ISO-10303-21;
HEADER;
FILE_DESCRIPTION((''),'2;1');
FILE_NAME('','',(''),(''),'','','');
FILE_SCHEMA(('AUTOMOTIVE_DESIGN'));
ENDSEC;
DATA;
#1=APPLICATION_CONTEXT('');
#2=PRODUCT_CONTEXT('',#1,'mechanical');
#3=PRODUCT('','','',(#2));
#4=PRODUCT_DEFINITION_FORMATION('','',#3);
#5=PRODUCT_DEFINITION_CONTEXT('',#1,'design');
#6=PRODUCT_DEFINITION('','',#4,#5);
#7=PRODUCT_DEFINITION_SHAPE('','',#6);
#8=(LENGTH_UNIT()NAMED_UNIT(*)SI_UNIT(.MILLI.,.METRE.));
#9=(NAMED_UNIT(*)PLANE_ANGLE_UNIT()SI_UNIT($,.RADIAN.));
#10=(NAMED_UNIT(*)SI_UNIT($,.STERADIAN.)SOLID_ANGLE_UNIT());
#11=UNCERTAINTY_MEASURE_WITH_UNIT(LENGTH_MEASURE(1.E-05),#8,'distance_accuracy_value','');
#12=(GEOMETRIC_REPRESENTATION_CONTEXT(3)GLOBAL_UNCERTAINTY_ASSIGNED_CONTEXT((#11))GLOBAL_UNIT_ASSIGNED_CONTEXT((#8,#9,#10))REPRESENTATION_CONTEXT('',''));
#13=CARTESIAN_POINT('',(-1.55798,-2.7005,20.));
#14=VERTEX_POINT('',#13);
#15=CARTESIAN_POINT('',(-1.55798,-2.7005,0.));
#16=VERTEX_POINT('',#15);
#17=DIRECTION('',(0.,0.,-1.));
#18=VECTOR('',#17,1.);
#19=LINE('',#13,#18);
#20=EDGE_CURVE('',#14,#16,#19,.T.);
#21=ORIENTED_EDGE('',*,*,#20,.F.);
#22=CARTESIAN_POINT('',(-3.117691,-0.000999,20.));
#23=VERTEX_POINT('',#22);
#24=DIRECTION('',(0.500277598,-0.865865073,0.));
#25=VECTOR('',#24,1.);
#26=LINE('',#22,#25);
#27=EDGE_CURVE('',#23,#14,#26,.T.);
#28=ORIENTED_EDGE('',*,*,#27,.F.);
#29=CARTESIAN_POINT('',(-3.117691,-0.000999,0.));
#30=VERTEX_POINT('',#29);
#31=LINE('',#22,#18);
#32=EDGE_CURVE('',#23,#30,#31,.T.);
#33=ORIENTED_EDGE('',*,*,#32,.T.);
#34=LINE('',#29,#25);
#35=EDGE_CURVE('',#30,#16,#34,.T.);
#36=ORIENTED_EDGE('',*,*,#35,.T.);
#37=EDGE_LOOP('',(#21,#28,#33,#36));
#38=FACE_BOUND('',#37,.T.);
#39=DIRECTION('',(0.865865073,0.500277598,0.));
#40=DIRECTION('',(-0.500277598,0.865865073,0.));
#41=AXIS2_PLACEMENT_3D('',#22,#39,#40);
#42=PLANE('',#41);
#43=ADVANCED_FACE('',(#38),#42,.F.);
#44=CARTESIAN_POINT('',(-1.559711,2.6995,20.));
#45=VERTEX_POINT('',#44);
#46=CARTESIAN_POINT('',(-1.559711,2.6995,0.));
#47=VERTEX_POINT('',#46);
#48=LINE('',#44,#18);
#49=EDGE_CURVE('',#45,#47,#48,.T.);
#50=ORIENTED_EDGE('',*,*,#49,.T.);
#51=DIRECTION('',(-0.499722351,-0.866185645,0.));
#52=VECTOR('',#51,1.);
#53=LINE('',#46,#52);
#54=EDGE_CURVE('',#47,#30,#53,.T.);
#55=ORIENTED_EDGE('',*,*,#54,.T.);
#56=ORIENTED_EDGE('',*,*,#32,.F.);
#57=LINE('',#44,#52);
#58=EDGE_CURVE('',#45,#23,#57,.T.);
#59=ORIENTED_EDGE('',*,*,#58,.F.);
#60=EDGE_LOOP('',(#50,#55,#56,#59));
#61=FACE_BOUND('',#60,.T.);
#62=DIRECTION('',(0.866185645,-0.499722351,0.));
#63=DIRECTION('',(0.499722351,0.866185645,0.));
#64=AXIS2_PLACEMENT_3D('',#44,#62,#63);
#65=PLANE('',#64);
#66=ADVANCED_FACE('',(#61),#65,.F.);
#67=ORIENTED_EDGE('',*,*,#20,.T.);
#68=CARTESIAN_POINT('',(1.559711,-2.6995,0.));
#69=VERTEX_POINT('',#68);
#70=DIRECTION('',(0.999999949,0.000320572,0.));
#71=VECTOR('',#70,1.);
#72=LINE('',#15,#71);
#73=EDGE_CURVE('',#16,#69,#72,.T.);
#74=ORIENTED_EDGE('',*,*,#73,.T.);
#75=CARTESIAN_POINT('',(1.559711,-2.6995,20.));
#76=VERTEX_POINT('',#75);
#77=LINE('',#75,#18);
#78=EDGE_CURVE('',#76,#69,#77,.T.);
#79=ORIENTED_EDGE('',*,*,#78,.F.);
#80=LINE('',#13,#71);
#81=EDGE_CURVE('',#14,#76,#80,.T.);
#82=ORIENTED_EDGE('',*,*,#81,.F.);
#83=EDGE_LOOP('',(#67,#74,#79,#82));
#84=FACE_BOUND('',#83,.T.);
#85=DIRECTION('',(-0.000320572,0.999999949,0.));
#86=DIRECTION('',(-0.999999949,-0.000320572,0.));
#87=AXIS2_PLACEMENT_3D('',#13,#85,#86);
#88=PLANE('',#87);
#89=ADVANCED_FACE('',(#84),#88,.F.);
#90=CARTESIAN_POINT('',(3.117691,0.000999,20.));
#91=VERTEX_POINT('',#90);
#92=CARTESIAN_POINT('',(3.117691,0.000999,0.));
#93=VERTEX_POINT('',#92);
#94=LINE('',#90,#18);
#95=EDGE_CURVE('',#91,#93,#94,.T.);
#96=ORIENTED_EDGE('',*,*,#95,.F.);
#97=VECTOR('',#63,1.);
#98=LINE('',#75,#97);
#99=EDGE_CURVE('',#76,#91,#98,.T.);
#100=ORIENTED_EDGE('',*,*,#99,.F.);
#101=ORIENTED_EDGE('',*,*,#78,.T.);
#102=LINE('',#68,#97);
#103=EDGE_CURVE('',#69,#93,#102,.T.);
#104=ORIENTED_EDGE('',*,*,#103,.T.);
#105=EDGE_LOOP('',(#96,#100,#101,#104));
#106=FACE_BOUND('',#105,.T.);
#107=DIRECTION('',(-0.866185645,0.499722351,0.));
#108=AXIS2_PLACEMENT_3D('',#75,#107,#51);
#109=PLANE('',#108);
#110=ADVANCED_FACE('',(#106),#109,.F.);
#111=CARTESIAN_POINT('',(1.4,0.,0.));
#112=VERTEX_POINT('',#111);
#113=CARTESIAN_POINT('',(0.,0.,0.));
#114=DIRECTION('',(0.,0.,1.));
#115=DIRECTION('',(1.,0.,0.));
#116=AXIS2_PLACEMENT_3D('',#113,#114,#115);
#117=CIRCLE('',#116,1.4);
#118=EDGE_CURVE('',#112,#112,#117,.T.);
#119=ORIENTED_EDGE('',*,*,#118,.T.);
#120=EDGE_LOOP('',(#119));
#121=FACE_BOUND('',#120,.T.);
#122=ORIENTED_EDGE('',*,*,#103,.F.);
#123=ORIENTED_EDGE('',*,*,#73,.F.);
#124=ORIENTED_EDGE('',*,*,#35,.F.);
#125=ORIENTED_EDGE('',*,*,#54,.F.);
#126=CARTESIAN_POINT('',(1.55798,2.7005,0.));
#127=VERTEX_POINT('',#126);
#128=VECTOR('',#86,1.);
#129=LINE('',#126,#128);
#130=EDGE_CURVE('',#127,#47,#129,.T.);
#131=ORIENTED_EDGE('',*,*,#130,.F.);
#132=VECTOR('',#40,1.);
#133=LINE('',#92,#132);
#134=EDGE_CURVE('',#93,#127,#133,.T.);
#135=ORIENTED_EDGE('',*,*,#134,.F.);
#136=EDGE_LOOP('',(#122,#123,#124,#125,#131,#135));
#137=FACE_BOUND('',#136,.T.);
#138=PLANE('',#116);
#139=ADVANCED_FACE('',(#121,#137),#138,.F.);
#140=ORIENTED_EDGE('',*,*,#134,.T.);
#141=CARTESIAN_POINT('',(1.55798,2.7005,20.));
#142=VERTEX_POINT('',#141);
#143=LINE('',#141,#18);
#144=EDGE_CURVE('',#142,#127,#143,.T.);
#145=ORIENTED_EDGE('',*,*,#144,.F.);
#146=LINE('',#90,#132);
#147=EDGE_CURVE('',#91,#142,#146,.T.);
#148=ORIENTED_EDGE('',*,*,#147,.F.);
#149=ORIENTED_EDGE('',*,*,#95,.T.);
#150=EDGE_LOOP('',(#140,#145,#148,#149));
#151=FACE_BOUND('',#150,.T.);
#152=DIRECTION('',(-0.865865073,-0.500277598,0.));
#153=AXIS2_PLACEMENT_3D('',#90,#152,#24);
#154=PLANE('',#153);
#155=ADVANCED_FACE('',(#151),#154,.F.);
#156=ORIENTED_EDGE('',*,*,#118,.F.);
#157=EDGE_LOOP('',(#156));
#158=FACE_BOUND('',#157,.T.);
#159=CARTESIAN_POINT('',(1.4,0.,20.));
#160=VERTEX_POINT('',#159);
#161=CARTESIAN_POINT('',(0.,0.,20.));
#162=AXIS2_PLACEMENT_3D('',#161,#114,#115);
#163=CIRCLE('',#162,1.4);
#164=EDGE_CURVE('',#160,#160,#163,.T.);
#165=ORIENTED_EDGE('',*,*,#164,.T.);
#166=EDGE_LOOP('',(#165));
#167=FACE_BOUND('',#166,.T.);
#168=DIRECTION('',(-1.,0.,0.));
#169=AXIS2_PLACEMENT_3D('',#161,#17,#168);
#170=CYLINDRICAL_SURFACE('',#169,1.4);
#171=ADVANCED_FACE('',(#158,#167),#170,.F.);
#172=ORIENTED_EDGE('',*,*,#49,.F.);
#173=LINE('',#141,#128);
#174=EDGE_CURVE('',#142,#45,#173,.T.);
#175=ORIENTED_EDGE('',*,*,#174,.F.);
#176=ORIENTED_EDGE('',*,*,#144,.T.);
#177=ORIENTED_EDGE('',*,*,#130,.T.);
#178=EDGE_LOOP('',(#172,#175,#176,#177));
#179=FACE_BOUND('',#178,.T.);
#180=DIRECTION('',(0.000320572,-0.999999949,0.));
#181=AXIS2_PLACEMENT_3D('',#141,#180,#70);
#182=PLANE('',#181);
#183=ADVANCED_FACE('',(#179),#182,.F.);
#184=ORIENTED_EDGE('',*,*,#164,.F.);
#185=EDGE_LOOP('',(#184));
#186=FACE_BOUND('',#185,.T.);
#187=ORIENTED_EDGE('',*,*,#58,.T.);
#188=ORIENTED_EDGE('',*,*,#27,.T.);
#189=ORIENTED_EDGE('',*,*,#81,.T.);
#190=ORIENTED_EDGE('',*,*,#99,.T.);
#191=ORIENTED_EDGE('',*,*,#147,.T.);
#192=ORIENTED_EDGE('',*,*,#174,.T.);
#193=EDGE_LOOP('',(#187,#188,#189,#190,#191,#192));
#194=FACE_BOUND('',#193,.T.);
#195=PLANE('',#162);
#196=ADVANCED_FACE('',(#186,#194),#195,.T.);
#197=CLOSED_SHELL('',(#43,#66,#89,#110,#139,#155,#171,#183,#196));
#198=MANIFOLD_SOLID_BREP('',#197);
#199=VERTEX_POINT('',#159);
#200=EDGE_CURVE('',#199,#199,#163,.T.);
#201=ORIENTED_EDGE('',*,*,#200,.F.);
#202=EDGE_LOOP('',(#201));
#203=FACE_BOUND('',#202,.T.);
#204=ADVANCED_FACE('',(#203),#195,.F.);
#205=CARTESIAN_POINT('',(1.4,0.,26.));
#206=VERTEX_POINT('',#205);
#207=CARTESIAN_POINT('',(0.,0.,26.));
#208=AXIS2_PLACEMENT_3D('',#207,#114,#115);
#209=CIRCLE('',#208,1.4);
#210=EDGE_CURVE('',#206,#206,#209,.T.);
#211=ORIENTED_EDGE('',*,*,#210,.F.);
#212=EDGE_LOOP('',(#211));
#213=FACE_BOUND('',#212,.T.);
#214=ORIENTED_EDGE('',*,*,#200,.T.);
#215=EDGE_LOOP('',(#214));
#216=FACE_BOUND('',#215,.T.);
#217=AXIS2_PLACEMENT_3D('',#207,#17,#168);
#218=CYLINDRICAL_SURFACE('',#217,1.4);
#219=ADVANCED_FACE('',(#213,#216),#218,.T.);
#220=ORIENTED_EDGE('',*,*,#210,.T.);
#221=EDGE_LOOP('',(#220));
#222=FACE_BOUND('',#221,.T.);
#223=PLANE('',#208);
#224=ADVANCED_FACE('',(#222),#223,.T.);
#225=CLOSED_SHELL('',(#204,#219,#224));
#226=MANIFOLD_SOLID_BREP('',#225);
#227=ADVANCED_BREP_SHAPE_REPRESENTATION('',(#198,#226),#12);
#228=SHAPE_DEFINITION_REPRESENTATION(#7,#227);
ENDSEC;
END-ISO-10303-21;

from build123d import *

# Parameters (mm, degrees)
ESQUISSE1_R        = 1.4
BOSS_EXTRU_1_DEPTH = 20
ESQUISSE2_R        = 1.4
BOSS_EXTRU_2_DEPTH = 6


with BuildPart() as part:
    # Esquisse1 → Boss.-Extru.1 (new body)
    with BuildSketch(Plane.XY):
        Polygon((-1.559711191, 2.699500139), (-3.117691293, -0.000999445), (-1.557980102, -2.700499584), (1.559711191, -2.699500139), (3.117691293, 0.000999445), (1.557980102, 2.700499584), align=None)
        Circle(ESQUISSE1_R, mode=Mode.SUBTRACT)
    extrude(amount=BOSS_EXTRU_1_DEPTH)


with BuildPart() as body_2:
    # Esquisse2 → Boss.-Extru.2 (new body)
    with BuildSketch(Plane.XY.offset(20)):
        Circle(ESQUISSE2_R)
    extrude(amount=BOSS_EXTRU_2_DEPTH)


solid = Compound([part.part, body_2.part])
